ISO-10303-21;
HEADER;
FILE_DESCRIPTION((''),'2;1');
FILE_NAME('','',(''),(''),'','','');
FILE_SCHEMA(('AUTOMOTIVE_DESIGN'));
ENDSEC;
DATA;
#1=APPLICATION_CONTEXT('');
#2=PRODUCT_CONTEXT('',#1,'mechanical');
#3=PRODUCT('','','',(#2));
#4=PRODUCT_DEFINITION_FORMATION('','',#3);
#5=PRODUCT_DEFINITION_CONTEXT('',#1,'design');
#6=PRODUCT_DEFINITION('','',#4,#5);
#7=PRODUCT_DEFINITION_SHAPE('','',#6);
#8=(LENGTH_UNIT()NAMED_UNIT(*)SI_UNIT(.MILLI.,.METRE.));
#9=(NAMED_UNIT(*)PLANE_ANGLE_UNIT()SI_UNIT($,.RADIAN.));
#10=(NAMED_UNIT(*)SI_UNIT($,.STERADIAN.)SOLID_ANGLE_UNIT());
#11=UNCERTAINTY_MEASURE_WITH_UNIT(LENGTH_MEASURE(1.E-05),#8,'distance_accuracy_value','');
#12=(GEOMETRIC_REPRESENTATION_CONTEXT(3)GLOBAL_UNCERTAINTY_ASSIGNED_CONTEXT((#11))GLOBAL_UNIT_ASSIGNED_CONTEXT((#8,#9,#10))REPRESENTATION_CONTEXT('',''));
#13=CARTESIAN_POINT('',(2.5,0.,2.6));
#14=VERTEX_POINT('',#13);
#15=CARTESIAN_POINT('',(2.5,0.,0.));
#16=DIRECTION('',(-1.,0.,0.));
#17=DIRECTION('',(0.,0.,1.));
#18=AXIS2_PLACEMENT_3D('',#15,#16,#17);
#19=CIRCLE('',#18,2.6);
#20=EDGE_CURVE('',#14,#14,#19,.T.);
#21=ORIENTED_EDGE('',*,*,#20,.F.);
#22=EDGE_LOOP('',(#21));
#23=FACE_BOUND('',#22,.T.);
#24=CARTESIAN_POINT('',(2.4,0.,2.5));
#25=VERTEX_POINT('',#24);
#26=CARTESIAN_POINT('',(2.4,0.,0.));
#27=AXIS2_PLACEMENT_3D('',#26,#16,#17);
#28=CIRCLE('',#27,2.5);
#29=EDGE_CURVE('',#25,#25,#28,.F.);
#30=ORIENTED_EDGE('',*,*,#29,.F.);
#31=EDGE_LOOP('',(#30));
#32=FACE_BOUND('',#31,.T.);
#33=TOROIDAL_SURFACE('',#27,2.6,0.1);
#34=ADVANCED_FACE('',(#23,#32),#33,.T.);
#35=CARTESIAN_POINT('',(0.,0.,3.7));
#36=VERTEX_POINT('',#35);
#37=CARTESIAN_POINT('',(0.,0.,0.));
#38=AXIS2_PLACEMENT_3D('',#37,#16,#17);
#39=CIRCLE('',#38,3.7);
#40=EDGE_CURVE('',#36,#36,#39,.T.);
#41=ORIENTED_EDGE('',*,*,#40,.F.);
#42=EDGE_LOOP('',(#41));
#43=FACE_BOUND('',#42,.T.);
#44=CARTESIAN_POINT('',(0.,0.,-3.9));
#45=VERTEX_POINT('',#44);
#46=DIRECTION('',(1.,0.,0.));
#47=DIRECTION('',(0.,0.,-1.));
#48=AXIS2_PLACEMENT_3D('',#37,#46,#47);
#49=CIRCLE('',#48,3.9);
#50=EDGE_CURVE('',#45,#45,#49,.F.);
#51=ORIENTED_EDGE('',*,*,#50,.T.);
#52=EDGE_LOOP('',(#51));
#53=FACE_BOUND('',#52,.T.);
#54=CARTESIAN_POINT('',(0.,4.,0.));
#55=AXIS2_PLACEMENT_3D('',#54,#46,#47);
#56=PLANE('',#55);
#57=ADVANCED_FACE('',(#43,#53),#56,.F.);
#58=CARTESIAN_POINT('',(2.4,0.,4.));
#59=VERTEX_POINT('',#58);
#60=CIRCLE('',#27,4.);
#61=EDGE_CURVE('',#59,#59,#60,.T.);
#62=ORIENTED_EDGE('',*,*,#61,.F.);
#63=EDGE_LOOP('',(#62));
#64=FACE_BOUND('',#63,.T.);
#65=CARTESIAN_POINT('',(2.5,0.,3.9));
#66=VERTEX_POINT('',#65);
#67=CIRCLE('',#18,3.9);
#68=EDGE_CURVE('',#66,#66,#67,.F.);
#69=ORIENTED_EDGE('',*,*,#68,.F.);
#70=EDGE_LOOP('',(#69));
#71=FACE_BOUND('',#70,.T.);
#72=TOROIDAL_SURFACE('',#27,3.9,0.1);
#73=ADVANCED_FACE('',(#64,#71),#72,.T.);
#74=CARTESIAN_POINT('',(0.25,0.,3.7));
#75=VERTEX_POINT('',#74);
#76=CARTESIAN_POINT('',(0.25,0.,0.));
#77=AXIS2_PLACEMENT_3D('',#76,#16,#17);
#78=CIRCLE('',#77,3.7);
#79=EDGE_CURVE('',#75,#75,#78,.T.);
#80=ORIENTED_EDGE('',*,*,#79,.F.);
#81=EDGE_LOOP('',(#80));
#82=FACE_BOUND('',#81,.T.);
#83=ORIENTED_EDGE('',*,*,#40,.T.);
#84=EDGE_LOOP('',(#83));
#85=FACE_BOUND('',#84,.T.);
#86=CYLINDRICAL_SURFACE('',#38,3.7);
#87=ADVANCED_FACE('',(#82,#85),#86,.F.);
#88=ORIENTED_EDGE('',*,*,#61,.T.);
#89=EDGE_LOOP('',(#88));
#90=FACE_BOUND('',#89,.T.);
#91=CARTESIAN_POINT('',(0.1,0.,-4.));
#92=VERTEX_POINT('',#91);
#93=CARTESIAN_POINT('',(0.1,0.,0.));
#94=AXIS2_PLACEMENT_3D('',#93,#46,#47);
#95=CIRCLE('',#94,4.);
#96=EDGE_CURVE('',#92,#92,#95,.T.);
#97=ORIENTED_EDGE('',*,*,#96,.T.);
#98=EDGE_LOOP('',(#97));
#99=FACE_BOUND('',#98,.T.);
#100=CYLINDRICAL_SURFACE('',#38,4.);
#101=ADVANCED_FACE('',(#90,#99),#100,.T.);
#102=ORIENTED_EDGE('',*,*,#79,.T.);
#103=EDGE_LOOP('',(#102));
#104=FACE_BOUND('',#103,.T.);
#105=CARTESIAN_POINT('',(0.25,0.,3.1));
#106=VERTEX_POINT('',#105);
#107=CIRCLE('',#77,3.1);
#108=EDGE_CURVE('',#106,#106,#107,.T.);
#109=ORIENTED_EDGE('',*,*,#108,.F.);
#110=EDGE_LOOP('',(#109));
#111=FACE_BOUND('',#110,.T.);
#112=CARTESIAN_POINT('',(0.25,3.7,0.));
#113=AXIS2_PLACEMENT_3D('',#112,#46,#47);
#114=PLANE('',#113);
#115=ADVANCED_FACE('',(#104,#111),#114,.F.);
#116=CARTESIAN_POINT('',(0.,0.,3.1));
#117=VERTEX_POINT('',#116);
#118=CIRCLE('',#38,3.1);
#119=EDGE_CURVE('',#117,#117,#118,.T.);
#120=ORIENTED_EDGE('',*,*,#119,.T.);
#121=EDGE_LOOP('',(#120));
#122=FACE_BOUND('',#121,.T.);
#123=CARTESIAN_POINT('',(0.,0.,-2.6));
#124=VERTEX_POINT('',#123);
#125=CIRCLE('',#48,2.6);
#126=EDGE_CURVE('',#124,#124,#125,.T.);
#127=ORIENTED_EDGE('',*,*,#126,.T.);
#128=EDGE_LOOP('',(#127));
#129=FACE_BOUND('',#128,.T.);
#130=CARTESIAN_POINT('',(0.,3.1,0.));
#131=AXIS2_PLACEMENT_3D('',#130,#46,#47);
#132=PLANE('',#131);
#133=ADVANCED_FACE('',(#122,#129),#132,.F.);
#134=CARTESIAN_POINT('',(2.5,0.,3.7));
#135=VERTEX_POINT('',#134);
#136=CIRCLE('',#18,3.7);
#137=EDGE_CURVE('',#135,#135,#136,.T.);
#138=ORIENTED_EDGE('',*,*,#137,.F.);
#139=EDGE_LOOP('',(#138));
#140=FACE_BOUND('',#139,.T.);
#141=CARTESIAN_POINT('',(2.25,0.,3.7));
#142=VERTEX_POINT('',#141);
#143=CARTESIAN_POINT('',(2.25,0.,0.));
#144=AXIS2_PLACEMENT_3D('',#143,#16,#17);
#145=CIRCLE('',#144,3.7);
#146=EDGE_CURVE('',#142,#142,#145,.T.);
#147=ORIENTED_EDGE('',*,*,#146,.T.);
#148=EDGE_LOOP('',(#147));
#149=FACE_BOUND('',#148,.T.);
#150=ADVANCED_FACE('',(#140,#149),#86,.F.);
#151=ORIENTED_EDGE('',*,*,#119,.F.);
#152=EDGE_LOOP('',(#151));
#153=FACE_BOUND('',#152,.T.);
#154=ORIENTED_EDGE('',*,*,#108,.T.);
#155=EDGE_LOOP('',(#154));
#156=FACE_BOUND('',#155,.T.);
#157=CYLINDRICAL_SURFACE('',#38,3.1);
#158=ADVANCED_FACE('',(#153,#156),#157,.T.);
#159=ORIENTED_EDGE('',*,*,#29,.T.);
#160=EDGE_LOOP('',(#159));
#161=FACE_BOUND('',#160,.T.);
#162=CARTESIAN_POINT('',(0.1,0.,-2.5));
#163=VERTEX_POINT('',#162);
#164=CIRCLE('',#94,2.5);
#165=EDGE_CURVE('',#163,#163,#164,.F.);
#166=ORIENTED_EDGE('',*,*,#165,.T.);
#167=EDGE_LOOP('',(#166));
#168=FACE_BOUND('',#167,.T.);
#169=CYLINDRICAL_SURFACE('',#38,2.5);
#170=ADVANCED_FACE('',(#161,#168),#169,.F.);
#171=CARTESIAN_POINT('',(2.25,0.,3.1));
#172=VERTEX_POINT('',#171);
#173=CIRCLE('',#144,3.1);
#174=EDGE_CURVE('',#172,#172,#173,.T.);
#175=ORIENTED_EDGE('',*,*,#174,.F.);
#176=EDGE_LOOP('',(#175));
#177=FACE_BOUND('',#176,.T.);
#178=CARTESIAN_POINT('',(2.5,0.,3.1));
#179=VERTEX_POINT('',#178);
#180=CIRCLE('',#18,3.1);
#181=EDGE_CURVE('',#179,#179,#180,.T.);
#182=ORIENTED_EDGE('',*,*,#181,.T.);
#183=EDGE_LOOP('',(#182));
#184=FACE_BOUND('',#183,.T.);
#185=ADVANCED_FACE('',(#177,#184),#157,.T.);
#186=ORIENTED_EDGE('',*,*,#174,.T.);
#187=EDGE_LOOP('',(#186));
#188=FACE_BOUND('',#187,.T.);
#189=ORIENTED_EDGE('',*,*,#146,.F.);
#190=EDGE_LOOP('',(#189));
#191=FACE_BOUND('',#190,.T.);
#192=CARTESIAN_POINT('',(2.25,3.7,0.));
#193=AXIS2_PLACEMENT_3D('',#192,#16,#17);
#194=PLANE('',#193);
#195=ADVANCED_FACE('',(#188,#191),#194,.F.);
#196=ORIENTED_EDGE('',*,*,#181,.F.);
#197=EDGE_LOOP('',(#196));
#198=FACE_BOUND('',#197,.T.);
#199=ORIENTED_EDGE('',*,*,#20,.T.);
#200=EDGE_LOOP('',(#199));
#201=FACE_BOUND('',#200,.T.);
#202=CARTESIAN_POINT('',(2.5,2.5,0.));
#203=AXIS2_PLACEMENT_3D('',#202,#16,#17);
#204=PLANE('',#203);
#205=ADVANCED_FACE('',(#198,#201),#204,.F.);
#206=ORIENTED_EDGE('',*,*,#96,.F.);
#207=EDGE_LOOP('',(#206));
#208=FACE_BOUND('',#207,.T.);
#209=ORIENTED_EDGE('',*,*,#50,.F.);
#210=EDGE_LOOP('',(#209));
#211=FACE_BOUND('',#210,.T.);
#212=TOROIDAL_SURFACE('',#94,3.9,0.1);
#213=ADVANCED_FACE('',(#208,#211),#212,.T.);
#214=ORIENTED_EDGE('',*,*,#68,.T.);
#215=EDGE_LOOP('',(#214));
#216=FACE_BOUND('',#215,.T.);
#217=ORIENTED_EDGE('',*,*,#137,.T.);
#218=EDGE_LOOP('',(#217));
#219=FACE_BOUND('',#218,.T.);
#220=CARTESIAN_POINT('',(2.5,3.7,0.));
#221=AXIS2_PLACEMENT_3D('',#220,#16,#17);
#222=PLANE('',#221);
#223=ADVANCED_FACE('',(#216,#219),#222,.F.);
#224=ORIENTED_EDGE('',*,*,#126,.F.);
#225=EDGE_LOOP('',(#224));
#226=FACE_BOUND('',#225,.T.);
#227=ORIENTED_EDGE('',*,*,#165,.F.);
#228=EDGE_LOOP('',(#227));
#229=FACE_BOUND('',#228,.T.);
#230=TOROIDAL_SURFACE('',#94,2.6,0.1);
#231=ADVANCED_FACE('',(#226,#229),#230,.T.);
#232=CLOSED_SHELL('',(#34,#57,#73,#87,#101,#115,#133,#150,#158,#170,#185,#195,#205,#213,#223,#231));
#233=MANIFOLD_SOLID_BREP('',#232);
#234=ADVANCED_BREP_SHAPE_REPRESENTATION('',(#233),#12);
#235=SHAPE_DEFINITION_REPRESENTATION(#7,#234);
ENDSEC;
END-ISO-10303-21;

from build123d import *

# Parameters (mm, degrees)
FILLET1_R = 0.1


with BuildPart() as part:
    # Sketch1 → Revolve1 (revolve)
    with BuildSketch(Plane.XY):
        Polygon((0, 4), (0, 3.7), (0.25, 3.7), (0.25, 3.1), (0, 3.1), (0, 2.5), (2.5, 2.5), (2.5, 3.1), (2.25, 3.1), (2.25, 3.7), (2.5, 3.7), (2.5, 4), align=None)
    revolve(axis=Axis((0, 0, 0), (1, 0, 0)))

    # Fillet1
    fillet1_edges = [part.edges().sort_by_distance(p)[0] for p in [
        (2.5, -2.5, 0),
        (0, -2.5, 0),
        (0, -4, 0),
        (2.5, -4, 0),
    ]]
    fillet(fillet1_edges, radius=FILLET1_R)


solid = part.part
